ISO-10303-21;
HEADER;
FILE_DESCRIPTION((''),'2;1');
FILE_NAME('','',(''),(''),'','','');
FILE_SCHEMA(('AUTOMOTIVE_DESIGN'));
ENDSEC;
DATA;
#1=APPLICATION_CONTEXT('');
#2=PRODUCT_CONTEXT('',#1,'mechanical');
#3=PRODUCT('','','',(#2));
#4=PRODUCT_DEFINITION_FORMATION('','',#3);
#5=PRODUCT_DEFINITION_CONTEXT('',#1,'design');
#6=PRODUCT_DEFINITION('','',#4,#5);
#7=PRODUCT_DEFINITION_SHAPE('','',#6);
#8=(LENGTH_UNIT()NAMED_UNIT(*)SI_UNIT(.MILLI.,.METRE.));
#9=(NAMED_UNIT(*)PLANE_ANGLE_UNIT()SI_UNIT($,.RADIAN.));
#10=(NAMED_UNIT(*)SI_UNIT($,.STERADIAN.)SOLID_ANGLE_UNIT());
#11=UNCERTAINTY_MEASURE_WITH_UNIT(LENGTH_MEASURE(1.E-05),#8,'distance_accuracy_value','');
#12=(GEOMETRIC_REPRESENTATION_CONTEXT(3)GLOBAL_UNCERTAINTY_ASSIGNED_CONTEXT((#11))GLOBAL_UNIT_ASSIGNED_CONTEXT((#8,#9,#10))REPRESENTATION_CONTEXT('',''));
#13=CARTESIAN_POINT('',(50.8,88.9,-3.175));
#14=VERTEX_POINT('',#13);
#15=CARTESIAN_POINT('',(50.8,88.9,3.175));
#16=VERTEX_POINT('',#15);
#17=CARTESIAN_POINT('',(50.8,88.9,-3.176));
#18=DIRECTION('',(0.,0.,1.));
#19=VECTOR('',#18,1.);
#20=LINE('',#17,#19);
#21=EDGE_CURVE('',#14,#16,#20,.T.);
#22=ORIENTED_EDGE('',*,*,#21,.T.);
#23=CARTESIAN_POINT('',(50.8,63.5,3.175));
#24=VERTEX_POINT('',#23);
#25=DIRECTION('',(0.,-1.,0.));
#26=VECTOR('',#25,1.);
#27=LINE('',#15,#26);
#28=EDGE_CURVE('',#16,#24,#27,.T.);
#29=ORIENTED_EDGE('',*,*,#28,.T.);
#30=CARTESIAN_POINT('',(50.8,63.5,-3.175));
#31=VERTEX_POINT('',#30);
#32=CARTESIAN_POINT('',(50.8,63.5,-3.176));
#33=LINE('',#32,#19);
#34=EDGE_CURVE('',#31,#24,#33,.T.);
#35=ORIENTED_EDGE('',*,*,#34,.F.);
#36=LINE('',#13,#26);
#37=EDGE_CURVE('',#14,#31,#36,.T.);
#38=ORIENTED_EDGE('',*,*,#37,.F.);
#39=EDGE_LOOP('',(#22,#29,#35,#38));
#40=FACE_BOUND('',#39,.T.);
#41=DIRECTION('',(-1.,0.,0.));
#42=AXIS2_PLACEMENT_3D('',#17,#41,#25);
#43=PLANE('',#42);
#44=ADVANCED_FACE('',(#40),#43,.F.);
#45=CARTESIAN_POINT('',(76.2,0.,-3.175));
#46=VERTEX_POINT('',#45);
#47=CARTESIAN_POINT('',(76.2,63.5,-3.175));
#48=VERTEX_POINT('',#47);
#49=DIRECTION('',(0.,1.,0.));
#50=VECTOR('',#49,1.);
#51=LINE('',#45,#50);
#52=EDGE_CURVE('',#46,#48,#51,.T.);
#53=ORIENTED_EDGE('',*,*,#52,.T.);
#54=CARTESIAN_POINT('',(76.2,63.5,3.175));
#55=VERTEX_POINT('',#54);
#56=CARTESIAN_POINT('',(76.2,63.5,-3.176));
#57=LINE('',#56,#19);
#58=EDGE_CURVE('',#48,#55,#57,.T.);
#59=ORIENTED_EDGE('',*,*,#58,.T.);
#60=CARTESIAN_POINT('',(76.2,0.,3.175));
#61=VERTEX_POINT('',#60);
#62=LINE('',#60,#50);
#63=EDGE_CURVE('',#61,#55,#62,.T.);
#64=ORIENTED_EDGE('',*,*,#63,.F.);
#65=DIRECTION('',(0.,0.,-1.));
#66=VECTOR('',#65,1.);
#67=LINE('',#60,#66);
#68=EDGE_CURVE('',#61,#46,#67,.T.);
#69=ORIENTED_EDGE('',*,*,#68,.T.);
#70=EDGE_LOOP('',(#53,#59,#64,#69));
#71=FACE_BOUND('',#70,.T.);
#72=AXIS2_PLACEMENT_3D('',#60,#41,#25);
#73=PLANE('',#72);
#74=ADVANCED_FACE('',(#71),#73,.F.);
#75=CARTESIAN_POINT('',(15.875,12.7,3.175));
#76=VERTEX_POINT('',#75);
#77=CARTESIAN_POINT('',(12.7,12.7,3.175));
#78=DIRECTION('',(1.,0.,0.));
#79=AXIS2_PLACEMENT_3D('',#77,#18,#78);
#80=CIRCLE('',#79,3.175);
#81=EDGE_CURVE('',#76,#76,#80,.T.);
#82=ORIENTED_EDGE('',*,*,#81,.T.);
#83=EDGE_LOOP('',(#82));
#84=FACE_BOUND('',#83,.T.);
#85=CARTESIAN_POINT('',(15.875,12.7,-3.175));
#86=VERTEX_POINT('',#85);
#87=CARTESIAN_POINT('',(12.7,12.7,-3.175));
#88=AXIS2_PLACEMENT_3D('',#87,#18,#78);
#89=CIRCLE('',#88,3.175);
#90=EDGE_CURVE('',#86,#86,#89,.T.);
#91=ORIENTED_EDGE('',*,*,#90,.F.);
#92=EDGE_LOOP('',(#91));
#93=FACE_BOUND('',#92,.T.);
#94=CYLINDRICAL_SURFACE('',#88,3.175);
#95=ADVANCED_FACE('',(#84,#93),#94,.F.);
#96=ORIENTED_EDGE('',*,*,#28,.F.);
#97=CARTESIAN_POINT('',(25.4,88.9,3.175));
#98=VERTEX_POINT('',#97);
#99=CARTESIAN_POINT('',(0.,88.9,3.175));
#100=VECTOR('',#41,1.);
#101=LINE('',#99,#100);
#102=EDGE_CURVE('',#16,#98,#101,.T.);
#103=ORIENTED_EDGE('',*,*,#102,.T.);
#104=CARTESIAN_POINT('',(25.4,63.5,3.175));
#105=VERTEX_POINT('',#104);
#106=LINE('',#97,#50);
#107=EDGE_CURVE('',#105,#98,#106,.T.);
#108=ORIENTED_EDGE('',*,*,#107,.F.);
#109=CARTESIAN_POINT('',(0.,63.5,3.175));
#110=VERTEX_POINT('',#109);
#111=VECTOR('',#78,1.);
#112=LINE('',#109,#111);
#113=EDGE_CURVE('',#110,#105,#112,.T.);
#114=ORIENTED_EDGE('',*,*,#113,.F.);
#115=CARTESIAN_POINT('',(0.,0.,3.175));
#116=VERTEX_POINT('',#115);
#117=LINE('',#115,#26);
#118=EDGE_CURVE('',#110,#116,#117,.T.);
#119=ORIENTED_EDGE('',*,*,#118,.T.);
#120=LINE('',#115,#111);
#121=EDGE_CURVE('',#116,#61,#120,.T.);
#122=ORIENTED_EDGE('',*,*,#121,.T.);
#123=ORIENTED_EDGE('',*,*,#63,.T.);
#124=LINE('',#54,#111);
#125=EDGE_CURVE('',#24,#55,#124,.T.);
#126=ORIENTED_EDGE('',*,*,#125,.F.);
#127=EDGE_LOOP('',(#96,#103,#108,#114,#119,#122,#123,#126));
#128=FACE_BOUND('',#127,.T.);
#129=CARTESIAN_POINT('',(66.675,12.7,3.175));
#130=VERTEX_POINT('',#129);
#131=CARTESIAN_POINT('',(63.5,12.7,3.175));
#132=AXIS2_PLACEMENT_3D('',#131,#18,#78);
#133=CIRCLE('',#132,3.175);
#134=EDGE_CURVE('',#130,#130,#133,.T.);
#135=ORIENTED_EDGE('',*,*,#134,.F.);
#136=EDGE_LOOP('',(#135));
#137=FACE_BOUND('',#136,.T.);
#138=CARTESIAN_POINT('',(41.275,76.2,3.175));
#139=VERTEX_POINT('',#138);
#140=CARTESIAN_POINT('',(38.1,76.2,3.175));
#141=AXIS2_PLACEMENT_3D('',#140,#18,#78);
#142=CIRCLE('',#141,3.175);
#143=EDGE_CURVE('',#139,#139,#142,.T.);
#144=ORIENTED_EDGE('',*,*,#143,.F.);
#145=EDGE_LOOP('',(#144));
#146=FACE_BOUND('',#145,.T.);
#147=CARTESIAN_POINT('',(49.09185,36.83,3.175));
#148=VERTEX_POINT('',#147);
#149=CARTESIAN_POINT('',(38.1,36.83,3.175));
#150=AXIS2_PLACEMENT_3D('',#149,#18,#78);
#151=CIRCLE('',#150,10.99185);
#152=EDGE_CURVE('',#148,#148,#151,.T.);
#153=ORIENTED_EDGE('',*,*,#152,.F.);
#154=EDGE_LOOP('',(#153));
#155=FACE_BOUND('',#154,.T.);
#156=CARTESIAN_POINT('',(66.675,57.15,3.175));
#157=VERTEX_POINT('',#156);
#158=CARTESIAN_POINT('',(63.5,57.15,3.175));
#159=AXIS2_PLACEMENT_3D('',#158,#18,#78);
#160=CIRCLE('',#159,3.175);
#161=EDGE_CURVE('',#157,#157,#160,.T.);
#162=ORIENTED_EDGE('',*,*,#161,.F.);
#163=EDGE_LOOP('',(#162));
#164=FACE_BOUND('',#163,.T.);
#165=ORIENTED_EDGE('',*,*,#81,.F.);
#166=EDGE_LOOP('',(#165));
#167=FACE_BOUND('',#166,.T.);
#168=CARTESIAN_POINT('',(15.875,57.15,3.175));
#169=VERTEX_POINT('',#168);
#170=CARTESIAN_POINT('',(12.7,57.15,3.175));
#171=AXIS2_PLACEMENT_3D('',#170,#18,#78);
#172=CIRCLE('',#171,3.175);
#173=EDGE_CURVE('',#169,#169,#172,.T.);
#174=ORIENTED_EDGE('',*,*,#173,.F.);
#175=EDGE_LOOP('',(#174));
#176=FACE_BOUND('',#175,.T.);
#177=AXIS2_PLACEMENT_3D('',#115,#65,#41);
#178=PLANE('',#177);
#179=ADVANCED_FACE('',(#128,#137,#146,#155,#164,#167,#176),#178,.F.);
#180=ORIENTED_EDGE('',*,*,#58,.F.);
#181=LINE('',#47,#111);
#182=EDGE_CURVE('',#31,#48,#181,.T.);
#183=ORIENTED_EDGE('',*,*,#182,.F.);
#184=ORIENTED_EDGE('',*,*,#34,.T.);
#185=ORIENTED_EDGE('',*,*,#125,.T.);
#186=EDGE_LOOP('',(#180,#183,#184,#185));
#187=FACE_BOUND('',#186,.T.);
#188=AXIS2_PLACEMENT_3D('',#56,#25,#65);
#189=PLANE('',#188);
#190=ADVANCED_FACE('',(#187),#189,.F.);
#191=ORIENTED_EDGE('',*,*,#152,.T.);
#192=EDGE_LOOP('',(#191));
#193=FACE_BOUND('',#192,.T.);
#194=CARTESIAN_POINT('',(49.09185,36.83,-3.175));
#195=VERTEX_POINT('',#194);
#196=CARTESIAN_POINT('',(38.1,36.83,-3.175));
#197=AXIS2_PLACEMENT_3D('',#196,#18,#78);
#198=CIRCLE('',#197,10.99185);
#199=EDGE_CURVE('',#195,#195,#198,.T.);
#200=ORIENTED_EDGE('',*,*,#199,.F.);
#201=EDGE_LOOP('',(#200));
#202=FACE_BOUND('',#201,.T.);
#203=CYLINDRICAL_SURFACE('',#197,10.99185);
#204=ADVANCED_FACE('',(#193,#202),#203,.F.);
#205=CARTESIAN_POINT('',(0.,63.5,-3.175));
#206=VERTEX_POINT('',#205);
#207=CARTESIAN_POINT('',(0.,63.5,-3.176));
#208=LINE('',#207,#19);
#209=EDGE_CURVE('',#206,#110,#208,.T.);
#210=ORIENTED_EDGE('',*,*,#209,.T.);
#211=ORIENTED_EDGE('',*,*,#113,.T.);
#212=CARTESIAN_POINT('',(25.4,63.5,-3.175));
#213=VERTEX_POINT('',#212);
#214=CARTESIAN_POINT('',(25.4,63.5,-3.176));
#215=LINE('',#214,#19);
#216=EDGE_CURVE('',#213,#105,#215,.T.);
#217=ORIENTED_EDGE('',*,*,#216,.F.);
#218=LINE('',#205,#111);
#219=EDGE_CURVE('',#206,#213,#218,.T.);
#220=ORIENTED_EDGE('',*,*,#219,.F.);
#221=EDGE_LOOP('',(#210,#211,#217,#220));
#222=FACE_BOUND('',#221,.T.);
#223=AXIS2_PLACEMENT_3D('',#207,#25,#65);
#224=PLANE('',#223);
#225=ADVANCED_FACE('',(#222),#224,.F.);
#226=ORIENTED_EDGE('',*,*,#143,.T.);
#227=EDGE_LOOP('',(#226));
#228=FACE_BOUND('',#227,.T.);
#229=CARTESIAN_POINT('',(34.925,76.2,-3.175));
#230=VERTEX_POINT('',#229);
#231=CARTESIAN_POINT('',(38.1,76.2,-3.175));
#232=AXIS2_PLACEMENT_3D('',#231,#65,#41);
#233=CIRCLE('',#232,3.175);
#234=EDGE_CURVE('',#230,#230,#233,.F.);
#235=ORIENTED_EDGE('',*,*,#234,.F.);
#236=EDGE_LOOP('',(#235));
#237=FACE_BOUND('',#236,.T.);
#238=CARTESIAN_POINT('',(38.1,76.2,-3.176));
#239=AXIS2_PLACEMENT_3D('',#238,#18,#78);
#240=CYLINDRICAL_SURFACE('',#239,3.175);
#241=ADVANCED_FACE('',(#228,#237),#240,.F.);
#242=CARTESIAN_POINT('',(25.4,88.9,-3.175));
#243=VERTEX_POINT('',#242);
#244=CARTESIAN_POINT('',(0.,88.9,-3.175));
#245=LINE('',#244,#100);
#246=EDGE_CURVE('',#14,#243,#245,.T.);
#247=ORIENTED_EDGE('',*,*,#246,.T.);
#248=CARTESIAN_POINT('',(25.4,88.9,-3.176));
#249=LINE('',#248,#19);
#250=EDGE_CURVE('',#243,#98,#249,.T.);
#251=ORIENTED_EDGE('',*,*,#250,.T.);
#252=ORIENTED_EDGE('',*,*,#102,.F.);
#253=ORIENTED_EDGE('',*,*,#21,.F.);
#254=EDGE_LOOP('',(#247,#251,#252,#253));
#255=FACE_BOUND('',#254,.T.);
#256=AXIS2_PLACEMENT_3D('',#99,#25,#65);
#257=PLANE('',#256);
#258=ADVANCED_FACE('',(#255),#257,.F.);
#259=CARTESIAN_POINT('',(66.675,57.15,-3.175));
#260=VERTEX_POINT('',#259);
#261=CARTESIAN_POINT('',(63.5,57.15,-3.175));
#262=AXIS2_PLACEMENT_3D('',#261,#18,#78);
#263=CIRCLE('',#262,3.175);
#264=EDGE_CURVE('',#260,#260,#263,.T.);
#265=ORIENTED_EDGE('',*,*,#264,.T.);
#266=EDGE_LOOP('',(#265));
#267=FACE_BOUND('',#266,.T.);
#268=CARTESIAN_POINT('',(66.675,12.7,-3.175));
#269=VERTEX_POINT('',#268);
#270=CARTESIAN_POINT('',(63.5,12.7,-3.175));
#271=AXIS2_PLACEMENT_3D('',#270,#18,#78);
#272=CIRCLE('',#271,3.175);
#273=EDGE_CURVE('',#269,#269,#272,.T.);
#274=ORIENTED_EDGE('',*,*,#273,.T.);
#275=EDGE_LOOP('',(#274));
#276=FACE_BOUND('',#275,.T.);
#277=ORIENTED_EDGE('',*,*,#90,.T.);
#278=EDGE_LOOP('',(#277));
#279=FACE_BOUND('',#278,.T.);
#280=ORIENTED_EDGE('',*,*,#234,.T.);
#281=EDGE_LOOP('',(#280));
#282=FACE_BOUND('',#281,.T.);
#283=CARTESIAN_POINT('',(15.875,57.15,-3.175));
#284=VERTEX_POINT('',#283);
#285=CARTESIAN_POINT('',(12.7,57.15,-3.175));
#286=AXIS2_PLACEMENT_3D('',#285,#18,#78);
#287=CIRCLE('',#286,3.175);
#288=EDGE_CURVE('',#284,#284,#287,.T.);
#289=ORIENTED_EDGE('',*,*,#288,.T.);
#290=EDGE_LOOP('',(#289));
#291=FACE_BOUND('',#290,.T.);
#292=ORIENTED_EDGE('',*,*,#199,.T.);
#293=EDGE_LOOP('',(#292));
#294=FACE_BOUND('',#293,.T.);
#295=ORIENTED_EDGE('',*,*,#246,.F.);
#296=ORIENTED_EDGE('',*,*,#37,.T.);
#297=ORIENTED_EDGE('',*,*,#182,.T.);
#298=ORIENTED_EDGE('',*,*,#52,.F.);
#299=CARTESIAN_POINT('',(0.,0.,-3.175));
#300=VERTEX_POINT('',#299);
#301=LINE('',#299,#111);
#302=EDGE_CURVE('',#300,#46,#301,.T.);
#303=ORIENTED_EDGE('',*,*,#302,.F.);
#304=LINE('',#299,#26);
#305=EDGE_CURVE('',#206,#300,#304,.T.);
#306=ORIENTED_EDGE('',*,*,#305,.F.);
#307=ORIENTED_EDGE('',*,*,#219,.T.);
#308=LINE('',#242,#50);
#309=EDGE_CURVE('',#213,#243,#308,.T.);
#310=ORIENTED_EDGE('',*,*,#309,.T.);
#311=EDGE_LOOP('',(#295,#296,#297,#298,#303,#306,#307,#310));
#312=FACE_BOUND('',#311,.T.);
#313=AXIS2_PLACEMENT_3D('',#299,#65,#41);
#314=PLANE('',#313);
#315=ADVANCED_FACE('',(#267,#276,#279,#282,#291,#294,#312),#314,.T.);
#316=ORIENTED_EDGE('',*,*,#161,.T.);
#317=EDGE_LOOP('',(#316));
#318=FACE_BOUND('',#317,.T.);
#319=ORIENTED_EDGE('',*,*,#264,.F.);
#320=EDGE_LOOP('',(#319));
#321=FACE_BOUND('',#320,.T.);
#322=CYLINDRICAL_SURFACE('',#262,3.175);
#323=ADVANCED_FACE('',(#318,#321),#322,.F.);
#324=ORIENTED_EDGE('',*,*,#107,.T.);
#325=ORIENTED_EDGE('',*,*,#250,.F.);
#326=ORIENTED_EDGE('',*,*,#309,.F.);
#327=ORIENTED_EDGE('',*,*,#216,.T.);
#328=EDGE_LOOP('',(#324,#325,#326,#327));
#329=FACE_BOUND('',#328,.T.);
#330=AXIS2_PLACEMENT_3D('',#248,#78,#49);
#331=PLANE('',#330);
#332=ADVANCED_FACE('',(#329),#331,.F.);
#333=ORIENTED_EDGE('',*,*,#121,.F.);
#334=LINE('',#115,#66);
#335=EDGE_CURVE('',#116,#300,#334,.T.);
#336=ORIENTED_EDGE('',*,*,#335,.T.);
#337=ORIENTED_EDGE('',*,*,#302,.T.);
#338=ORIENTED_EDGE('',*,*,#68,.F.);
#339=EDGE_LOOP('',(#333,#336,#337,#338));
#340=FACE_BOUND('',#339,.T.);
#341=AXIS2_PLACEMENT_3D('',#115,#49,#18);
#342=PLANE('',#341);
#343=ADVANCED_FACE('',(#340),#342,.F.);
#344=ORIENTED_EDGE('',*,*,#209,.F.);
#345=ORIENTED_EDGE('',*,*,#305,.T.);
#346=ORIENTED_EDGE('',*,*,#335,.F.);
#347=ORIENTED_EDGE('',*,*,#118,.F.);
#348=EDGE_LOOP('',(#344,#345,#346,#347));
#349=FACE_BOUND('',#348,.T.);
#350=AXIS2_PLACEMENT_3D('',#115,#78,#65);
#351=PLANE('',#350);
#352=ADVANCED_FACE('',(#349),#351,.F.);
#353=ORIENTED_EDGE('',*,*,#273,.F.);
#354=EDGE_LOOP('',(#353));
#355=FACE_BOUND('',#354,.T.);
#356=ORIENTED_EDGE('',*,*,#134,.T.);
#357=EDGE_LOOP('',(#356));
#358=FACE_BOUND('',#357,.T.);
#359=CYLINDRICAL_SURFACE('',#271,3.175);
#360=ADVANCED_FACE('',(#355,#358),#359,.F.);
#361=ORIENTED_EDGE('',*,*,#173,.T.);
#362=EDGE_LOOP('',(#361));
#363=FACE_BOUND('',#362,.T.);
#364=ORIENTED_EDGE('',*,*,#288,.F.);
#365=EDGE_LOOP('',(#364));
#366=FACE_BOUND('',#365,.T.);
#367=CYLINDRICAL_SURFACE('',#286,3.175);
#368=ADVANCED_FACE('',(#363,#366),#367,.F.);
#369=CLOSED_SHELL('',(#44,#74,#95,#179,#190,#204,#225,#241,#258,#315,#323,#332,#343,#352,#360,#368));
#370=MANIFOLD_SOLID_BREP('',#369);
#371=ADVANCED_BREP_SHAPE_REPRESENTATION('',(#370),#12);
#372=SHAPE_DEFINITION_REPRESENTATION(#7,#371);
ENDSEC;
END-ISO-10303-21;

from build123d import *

# Parameters (mm, degrees)
SKETCH1_W           = 76.2
SKETCH1_H           = 88.9
BOSS_EXTRUDE1_DEPTH = 3.175
SKETCH2_R           = 3.175
SKETCH2_R_2         = 10.99185
CUT_EXTRUDE1_DEPTH  = 7.35
CUT_EXTRUDE2_REACH  = 8.35
SKETCH5_R           = 3.175
SKETCH5_W           = 25.4
SKETCH5_H           = 25.4


with BuildPart() as part:
    # Sketch1 → Boss-Extrude1 (new body, symmetric)
    with BuildSketch(Plane.XY):
        with Locations((38.1, 44.45)):
            Rectangle(SKETCH1_W, SKETCH1_H)
    extrude(amount=BOSS_EXTRUDE1_DEPTH, both=True)

    # Sketch2 → Cut-Extrude1 (cut, through all)
    with BuildSketch(Plane.XY.offset(3.175)):
        with Locations((12.7, 76.2)):
            Circle(SKETCH2_R)
        with Locations((63.5, 76.2)):
            Circle(SKETCH2_R)
        with Locations((63.5, 12.7)):
            Circle(SKETCH2_R)
        with Locations((12.7, 12.7)):
            Circle(SKETCH2_R)
        with Locations((38.1, 36.83)):
            Circle(SKETCH2_R_2)
        with Locations((12.7, 57.15)):
            Circle(SKETCH2_R)
        with Locations((63.5, 57.15)):
            Circle(SKETCH2_R)
    extrude(amount=-CUT_EXTRUDE1_DEPTH, mode=Mode.SUBTRACT)

    # Sketch5 → Cut-Extrude2 (cut, up to next)
    with BuildSketch(Plane.XY.offset(3.175), mode=Mode.PRIVATE) as cut_extrude2_sk1:
        with Locations((38.1, 76.2)):
            Circle(SKETCH5_R)
    cut_extrude2_tool1 = extrude(cut_extrude2_sk1.sketch, amount=-CUT_EXTRUDE2_REACH, mode=Mode.PRIVATE) & part.part
    add(cut_extrude2_tool1.solids().sort_by_distance((38.1, 76.2, 3.175))[0], mode=Mode.SUBTRACT)
    # Sketch5 → Cut-Extrude2 (cut, up to next)
    with BuildSketch(Plane.XY.offset(3.175), mode=Mode.PRIVATE) as cut_extrude2_sk2:
        with Locations((63.5, 76.2)):
            Rectangle(SKETCH5_W, SKETCH5_H)
    cut_extrude2_tool2 = extrude(cut_extrude2_sk2.sketch, amount=-CUT_EXTRUDE2_REACH, mode=Mode.PRIVATE) & part.part
    add(cut_extrude2_tool2.solids().sort_by_distance((63.5, 76.2, 3.175))[0], mode=Mode.SUBTRACT)
    # Sketch5 → Cut-Extrude2 (cut, up to next)
    with BuildSketch(Plane.XY.offset(3.175), mode=Mode.PRIVATE) as cut_extrude2_sk3:
        with Locations((12.7, 76.2)):
            Rectangle(SKETCH5_W, SKETCH5_H)
    cut_extrude2_tool3 = extrude(cut_extrude2_sk3.sketch, amount=-CUT_EXTRUDE2_REACH, mode=Mode.PRIVATE) & part.part
    add(cut_extrude2_tool3.solids().sort_by_distance((12.7, 76.2, 3.175))[0], mode=Mode.SUBTRACT)


solid = part.part
